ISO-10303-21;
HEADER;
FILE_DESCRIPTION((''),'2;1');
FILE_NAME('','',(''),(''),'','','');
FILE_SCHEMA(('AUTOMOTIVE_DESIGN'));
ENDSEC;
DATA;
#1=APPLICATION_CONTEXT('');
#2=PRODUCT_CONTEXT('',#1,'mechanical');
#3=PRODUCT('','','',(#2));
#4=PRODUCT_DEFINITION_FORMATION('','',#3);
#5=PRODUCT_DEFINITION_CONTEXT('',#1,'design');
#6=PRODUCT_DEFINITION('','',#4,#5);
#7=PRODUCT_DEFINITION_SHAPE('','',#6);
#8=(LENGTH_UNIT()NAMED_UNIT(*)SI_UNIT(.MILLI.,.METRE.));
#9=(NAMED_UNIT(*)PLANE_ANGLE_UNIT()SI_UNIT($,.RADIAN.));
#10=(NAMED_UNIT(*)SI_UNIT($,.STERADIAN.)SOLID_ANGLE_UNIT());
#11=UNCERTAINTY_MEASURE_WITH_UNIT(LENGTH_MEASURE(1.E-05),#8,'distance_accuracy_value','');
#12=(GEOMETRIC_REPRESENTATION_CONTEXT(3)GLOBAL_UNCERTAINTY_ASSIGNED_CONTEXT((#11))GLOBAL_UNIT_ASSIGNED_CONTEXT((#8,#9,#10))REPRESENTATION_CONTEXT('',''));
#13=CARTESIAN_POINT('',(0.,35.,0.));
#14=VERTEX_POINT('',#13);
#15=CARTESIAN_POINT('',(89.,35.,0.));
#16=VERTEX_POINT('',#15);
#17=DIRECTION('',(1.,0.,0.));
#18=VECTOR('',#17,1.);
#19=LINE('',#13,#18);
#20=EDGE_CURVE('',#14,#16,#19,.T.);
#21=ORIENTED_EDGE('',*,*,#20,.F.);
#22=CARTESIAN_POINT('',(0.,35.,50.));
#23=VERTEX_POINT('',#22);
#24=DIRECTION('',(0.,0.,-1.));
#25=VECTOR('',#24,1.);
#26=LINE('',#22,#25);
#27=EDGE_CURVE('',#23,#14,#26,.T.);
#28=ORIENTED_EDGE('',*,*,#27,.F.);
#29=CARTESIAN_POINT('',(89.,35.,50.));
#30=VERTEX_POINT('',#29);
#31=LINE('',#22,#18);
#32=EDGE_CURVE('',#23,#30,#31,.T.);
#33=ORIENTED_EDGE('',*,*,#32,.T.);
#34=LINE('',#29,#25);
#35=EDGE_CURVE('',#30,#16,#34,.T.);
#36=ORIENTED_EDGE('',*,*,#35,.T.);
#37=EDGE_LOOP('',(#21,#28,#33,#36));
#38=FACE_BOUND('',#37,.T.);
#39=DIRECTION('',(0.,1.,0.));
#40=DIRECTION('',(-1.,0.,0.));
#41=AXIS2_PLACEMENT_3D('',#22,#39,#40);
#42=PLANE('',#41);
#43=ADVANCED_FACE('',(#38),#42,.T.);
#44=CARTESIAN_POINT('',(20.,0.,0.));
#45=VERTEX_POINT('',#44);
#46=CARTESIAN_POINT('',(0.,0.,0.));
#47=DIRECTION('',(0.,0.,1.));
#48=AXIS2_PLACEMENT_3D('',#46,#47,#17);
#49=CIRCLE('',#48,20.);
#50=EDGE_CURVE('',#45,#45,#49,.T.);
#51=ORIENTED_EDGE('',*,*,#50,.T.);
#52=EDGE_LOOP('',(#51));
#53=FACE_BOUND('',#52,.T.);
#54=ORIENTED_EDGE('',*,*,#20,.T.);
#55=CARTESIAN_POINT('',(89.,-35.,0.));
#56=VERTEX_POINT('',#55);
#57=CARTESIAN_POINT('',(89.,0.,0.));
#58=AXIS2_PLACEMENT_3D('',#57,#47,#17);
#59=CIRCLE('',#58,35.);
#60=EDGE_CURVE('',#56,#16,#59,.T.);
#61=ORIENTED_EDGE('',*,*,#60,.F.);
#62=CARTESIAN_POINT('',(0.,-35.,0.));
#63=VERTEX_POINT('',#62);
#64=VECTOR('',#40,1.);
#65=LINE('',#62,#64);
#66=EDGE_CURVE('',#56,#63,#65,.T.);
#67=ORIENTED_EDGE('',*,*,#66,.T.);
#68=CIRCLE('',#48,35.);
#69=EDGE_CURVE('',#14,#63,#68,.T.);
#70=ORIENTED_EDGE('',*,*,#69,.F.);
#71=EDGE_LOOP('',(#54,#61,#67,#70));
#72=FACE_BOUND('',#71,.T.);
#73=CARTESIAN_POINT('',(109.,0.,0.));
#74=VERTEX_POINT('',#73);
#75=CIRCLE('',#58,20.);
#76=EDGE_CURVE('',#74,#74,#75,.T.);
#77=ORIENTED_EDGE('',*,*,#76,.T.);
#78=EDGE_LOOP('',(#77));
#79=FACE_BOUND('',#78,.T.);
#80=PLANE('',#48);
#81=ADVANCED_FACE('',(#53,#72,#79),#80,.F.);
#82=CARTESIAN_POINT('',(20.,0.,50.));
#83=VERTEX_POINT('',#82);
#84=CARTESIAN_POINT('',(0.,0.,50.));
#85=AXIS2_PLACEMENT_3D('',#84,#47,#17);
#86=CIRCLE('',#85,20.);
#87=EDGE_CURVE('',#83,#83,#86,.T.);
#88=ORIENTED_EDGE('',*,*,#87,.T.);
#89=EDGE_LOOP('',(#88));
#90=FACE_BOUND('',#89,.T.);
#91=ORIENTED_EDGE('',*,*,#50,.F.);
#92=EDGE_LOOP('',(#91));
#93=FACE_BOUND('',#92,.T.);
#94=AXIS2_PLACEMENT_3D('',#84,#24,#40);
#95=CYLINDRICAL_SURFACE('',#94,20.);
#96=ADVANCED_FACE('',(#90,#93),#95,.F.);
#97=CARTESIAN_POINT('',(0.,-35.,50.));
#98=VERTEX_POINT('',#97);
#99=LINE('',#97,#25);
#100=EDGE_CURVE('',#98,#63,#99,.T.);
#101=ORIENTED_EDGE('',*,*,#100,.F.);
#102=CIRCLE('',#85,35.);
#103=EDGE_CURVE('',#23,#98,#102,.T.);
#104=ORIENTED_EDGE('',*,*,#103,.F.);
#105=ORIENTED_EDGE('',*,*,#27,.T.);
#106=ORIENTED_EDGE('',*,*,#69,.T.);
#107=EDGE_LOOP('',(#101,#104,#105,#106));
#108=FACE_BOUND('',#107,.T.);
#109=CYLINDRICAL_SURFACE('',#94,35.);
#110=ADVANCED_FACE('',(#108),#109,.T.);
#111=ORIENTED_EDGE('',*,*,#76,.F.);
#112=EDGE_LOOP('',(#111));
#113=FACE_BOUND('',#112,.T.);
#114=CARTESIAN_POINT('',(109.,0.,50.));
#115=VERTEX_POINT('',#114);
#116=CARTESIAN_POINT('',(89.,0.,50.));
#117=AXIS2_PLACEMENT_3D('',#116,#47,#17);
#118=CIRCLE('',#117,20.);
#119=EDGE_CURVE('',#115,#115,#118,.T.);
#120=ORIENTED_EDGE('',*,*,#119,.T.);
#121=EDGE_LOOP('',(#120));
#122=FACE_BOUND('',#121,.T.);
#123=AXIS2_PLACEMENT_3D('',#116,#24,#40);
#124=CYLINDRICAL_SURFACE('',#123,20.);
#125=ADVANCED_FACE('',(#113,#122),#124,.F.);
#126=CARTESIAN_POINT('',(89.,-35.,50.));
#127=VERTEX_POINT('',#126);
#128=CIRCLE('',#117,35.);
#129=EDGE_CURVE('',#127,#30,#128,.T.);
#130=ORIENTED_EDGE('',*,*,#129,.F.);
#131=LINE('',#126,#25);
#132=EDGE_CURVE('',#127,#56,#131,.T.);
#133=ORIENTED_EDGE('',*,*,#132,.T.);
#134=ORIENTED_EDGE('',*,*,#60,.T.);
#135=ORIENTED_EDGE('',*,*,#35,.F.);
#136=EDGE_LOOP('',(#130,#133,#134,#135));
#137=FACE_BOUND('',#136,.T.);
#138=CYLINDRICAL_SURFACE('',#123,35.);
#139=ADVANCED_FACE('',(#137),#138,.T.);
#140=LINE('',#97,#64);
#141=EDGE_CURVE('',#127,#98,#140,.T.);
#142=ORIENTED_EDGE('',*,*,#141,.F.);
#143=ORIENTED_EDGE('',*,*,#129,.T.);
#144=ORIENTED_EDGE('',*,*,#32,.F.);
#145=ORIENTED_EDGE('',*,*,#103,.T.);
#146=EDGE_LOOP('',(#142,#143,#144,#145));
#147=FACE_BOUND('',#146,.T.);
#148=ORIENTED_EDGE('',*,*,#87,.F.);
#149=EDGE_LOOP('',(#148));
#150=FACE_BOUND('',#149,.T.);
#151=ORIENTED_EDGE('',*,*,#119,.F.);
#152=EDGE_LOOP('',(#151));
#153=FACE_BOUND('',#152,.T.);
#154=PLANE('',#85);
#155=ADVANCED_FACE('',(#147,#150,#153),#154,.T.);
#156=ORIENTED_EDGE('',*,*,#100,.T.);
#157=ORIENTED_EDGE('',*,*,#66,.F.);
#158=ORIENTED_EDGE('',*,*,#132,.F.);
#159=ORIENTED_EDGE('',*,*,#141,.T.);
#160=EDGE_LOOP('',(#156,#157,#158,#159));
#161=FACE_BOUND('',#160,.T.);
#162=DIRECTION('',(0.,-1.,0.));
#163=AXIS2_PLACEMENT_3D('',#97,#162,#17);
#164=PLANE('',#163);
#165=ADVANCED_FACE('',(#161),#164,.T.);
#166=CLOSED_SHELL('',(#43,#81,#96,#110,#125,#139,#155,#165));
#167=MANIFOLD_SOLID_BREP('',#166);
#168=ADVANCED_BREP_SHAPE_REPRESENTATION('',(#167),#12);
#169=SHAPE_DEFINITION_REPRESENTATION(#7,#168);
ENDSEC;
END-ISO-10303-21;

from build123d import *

# Parameters (mm, degrees)
SKETCH_2_R      = 20
EXTRUDE_1_DEPTH = 50


with BuildPart() as part:
    # 草图2 → 凸台-拉伸1 (new body)
    with BuildSketch(Plane.XY):
        with BuildLine():
            Line((0, 35), (89, 35))
            ThreePointArc((89, 35), (124, 0), (89, -35))
            Line((89, -35), (0, -35))
            ThreePointArc((0, -35), (-35, 0), (0, 35))
        make_face()
        Circle(SKETCH_2_R, mode=Mode.SUBTRACT)
        with Locations((89, 0)):
            Circle(SKETCH_2_R, mode=Mode.SUBTRACT)
    extrude(amount=EXTRUDE_1_DEPTH)


solid = part.part
